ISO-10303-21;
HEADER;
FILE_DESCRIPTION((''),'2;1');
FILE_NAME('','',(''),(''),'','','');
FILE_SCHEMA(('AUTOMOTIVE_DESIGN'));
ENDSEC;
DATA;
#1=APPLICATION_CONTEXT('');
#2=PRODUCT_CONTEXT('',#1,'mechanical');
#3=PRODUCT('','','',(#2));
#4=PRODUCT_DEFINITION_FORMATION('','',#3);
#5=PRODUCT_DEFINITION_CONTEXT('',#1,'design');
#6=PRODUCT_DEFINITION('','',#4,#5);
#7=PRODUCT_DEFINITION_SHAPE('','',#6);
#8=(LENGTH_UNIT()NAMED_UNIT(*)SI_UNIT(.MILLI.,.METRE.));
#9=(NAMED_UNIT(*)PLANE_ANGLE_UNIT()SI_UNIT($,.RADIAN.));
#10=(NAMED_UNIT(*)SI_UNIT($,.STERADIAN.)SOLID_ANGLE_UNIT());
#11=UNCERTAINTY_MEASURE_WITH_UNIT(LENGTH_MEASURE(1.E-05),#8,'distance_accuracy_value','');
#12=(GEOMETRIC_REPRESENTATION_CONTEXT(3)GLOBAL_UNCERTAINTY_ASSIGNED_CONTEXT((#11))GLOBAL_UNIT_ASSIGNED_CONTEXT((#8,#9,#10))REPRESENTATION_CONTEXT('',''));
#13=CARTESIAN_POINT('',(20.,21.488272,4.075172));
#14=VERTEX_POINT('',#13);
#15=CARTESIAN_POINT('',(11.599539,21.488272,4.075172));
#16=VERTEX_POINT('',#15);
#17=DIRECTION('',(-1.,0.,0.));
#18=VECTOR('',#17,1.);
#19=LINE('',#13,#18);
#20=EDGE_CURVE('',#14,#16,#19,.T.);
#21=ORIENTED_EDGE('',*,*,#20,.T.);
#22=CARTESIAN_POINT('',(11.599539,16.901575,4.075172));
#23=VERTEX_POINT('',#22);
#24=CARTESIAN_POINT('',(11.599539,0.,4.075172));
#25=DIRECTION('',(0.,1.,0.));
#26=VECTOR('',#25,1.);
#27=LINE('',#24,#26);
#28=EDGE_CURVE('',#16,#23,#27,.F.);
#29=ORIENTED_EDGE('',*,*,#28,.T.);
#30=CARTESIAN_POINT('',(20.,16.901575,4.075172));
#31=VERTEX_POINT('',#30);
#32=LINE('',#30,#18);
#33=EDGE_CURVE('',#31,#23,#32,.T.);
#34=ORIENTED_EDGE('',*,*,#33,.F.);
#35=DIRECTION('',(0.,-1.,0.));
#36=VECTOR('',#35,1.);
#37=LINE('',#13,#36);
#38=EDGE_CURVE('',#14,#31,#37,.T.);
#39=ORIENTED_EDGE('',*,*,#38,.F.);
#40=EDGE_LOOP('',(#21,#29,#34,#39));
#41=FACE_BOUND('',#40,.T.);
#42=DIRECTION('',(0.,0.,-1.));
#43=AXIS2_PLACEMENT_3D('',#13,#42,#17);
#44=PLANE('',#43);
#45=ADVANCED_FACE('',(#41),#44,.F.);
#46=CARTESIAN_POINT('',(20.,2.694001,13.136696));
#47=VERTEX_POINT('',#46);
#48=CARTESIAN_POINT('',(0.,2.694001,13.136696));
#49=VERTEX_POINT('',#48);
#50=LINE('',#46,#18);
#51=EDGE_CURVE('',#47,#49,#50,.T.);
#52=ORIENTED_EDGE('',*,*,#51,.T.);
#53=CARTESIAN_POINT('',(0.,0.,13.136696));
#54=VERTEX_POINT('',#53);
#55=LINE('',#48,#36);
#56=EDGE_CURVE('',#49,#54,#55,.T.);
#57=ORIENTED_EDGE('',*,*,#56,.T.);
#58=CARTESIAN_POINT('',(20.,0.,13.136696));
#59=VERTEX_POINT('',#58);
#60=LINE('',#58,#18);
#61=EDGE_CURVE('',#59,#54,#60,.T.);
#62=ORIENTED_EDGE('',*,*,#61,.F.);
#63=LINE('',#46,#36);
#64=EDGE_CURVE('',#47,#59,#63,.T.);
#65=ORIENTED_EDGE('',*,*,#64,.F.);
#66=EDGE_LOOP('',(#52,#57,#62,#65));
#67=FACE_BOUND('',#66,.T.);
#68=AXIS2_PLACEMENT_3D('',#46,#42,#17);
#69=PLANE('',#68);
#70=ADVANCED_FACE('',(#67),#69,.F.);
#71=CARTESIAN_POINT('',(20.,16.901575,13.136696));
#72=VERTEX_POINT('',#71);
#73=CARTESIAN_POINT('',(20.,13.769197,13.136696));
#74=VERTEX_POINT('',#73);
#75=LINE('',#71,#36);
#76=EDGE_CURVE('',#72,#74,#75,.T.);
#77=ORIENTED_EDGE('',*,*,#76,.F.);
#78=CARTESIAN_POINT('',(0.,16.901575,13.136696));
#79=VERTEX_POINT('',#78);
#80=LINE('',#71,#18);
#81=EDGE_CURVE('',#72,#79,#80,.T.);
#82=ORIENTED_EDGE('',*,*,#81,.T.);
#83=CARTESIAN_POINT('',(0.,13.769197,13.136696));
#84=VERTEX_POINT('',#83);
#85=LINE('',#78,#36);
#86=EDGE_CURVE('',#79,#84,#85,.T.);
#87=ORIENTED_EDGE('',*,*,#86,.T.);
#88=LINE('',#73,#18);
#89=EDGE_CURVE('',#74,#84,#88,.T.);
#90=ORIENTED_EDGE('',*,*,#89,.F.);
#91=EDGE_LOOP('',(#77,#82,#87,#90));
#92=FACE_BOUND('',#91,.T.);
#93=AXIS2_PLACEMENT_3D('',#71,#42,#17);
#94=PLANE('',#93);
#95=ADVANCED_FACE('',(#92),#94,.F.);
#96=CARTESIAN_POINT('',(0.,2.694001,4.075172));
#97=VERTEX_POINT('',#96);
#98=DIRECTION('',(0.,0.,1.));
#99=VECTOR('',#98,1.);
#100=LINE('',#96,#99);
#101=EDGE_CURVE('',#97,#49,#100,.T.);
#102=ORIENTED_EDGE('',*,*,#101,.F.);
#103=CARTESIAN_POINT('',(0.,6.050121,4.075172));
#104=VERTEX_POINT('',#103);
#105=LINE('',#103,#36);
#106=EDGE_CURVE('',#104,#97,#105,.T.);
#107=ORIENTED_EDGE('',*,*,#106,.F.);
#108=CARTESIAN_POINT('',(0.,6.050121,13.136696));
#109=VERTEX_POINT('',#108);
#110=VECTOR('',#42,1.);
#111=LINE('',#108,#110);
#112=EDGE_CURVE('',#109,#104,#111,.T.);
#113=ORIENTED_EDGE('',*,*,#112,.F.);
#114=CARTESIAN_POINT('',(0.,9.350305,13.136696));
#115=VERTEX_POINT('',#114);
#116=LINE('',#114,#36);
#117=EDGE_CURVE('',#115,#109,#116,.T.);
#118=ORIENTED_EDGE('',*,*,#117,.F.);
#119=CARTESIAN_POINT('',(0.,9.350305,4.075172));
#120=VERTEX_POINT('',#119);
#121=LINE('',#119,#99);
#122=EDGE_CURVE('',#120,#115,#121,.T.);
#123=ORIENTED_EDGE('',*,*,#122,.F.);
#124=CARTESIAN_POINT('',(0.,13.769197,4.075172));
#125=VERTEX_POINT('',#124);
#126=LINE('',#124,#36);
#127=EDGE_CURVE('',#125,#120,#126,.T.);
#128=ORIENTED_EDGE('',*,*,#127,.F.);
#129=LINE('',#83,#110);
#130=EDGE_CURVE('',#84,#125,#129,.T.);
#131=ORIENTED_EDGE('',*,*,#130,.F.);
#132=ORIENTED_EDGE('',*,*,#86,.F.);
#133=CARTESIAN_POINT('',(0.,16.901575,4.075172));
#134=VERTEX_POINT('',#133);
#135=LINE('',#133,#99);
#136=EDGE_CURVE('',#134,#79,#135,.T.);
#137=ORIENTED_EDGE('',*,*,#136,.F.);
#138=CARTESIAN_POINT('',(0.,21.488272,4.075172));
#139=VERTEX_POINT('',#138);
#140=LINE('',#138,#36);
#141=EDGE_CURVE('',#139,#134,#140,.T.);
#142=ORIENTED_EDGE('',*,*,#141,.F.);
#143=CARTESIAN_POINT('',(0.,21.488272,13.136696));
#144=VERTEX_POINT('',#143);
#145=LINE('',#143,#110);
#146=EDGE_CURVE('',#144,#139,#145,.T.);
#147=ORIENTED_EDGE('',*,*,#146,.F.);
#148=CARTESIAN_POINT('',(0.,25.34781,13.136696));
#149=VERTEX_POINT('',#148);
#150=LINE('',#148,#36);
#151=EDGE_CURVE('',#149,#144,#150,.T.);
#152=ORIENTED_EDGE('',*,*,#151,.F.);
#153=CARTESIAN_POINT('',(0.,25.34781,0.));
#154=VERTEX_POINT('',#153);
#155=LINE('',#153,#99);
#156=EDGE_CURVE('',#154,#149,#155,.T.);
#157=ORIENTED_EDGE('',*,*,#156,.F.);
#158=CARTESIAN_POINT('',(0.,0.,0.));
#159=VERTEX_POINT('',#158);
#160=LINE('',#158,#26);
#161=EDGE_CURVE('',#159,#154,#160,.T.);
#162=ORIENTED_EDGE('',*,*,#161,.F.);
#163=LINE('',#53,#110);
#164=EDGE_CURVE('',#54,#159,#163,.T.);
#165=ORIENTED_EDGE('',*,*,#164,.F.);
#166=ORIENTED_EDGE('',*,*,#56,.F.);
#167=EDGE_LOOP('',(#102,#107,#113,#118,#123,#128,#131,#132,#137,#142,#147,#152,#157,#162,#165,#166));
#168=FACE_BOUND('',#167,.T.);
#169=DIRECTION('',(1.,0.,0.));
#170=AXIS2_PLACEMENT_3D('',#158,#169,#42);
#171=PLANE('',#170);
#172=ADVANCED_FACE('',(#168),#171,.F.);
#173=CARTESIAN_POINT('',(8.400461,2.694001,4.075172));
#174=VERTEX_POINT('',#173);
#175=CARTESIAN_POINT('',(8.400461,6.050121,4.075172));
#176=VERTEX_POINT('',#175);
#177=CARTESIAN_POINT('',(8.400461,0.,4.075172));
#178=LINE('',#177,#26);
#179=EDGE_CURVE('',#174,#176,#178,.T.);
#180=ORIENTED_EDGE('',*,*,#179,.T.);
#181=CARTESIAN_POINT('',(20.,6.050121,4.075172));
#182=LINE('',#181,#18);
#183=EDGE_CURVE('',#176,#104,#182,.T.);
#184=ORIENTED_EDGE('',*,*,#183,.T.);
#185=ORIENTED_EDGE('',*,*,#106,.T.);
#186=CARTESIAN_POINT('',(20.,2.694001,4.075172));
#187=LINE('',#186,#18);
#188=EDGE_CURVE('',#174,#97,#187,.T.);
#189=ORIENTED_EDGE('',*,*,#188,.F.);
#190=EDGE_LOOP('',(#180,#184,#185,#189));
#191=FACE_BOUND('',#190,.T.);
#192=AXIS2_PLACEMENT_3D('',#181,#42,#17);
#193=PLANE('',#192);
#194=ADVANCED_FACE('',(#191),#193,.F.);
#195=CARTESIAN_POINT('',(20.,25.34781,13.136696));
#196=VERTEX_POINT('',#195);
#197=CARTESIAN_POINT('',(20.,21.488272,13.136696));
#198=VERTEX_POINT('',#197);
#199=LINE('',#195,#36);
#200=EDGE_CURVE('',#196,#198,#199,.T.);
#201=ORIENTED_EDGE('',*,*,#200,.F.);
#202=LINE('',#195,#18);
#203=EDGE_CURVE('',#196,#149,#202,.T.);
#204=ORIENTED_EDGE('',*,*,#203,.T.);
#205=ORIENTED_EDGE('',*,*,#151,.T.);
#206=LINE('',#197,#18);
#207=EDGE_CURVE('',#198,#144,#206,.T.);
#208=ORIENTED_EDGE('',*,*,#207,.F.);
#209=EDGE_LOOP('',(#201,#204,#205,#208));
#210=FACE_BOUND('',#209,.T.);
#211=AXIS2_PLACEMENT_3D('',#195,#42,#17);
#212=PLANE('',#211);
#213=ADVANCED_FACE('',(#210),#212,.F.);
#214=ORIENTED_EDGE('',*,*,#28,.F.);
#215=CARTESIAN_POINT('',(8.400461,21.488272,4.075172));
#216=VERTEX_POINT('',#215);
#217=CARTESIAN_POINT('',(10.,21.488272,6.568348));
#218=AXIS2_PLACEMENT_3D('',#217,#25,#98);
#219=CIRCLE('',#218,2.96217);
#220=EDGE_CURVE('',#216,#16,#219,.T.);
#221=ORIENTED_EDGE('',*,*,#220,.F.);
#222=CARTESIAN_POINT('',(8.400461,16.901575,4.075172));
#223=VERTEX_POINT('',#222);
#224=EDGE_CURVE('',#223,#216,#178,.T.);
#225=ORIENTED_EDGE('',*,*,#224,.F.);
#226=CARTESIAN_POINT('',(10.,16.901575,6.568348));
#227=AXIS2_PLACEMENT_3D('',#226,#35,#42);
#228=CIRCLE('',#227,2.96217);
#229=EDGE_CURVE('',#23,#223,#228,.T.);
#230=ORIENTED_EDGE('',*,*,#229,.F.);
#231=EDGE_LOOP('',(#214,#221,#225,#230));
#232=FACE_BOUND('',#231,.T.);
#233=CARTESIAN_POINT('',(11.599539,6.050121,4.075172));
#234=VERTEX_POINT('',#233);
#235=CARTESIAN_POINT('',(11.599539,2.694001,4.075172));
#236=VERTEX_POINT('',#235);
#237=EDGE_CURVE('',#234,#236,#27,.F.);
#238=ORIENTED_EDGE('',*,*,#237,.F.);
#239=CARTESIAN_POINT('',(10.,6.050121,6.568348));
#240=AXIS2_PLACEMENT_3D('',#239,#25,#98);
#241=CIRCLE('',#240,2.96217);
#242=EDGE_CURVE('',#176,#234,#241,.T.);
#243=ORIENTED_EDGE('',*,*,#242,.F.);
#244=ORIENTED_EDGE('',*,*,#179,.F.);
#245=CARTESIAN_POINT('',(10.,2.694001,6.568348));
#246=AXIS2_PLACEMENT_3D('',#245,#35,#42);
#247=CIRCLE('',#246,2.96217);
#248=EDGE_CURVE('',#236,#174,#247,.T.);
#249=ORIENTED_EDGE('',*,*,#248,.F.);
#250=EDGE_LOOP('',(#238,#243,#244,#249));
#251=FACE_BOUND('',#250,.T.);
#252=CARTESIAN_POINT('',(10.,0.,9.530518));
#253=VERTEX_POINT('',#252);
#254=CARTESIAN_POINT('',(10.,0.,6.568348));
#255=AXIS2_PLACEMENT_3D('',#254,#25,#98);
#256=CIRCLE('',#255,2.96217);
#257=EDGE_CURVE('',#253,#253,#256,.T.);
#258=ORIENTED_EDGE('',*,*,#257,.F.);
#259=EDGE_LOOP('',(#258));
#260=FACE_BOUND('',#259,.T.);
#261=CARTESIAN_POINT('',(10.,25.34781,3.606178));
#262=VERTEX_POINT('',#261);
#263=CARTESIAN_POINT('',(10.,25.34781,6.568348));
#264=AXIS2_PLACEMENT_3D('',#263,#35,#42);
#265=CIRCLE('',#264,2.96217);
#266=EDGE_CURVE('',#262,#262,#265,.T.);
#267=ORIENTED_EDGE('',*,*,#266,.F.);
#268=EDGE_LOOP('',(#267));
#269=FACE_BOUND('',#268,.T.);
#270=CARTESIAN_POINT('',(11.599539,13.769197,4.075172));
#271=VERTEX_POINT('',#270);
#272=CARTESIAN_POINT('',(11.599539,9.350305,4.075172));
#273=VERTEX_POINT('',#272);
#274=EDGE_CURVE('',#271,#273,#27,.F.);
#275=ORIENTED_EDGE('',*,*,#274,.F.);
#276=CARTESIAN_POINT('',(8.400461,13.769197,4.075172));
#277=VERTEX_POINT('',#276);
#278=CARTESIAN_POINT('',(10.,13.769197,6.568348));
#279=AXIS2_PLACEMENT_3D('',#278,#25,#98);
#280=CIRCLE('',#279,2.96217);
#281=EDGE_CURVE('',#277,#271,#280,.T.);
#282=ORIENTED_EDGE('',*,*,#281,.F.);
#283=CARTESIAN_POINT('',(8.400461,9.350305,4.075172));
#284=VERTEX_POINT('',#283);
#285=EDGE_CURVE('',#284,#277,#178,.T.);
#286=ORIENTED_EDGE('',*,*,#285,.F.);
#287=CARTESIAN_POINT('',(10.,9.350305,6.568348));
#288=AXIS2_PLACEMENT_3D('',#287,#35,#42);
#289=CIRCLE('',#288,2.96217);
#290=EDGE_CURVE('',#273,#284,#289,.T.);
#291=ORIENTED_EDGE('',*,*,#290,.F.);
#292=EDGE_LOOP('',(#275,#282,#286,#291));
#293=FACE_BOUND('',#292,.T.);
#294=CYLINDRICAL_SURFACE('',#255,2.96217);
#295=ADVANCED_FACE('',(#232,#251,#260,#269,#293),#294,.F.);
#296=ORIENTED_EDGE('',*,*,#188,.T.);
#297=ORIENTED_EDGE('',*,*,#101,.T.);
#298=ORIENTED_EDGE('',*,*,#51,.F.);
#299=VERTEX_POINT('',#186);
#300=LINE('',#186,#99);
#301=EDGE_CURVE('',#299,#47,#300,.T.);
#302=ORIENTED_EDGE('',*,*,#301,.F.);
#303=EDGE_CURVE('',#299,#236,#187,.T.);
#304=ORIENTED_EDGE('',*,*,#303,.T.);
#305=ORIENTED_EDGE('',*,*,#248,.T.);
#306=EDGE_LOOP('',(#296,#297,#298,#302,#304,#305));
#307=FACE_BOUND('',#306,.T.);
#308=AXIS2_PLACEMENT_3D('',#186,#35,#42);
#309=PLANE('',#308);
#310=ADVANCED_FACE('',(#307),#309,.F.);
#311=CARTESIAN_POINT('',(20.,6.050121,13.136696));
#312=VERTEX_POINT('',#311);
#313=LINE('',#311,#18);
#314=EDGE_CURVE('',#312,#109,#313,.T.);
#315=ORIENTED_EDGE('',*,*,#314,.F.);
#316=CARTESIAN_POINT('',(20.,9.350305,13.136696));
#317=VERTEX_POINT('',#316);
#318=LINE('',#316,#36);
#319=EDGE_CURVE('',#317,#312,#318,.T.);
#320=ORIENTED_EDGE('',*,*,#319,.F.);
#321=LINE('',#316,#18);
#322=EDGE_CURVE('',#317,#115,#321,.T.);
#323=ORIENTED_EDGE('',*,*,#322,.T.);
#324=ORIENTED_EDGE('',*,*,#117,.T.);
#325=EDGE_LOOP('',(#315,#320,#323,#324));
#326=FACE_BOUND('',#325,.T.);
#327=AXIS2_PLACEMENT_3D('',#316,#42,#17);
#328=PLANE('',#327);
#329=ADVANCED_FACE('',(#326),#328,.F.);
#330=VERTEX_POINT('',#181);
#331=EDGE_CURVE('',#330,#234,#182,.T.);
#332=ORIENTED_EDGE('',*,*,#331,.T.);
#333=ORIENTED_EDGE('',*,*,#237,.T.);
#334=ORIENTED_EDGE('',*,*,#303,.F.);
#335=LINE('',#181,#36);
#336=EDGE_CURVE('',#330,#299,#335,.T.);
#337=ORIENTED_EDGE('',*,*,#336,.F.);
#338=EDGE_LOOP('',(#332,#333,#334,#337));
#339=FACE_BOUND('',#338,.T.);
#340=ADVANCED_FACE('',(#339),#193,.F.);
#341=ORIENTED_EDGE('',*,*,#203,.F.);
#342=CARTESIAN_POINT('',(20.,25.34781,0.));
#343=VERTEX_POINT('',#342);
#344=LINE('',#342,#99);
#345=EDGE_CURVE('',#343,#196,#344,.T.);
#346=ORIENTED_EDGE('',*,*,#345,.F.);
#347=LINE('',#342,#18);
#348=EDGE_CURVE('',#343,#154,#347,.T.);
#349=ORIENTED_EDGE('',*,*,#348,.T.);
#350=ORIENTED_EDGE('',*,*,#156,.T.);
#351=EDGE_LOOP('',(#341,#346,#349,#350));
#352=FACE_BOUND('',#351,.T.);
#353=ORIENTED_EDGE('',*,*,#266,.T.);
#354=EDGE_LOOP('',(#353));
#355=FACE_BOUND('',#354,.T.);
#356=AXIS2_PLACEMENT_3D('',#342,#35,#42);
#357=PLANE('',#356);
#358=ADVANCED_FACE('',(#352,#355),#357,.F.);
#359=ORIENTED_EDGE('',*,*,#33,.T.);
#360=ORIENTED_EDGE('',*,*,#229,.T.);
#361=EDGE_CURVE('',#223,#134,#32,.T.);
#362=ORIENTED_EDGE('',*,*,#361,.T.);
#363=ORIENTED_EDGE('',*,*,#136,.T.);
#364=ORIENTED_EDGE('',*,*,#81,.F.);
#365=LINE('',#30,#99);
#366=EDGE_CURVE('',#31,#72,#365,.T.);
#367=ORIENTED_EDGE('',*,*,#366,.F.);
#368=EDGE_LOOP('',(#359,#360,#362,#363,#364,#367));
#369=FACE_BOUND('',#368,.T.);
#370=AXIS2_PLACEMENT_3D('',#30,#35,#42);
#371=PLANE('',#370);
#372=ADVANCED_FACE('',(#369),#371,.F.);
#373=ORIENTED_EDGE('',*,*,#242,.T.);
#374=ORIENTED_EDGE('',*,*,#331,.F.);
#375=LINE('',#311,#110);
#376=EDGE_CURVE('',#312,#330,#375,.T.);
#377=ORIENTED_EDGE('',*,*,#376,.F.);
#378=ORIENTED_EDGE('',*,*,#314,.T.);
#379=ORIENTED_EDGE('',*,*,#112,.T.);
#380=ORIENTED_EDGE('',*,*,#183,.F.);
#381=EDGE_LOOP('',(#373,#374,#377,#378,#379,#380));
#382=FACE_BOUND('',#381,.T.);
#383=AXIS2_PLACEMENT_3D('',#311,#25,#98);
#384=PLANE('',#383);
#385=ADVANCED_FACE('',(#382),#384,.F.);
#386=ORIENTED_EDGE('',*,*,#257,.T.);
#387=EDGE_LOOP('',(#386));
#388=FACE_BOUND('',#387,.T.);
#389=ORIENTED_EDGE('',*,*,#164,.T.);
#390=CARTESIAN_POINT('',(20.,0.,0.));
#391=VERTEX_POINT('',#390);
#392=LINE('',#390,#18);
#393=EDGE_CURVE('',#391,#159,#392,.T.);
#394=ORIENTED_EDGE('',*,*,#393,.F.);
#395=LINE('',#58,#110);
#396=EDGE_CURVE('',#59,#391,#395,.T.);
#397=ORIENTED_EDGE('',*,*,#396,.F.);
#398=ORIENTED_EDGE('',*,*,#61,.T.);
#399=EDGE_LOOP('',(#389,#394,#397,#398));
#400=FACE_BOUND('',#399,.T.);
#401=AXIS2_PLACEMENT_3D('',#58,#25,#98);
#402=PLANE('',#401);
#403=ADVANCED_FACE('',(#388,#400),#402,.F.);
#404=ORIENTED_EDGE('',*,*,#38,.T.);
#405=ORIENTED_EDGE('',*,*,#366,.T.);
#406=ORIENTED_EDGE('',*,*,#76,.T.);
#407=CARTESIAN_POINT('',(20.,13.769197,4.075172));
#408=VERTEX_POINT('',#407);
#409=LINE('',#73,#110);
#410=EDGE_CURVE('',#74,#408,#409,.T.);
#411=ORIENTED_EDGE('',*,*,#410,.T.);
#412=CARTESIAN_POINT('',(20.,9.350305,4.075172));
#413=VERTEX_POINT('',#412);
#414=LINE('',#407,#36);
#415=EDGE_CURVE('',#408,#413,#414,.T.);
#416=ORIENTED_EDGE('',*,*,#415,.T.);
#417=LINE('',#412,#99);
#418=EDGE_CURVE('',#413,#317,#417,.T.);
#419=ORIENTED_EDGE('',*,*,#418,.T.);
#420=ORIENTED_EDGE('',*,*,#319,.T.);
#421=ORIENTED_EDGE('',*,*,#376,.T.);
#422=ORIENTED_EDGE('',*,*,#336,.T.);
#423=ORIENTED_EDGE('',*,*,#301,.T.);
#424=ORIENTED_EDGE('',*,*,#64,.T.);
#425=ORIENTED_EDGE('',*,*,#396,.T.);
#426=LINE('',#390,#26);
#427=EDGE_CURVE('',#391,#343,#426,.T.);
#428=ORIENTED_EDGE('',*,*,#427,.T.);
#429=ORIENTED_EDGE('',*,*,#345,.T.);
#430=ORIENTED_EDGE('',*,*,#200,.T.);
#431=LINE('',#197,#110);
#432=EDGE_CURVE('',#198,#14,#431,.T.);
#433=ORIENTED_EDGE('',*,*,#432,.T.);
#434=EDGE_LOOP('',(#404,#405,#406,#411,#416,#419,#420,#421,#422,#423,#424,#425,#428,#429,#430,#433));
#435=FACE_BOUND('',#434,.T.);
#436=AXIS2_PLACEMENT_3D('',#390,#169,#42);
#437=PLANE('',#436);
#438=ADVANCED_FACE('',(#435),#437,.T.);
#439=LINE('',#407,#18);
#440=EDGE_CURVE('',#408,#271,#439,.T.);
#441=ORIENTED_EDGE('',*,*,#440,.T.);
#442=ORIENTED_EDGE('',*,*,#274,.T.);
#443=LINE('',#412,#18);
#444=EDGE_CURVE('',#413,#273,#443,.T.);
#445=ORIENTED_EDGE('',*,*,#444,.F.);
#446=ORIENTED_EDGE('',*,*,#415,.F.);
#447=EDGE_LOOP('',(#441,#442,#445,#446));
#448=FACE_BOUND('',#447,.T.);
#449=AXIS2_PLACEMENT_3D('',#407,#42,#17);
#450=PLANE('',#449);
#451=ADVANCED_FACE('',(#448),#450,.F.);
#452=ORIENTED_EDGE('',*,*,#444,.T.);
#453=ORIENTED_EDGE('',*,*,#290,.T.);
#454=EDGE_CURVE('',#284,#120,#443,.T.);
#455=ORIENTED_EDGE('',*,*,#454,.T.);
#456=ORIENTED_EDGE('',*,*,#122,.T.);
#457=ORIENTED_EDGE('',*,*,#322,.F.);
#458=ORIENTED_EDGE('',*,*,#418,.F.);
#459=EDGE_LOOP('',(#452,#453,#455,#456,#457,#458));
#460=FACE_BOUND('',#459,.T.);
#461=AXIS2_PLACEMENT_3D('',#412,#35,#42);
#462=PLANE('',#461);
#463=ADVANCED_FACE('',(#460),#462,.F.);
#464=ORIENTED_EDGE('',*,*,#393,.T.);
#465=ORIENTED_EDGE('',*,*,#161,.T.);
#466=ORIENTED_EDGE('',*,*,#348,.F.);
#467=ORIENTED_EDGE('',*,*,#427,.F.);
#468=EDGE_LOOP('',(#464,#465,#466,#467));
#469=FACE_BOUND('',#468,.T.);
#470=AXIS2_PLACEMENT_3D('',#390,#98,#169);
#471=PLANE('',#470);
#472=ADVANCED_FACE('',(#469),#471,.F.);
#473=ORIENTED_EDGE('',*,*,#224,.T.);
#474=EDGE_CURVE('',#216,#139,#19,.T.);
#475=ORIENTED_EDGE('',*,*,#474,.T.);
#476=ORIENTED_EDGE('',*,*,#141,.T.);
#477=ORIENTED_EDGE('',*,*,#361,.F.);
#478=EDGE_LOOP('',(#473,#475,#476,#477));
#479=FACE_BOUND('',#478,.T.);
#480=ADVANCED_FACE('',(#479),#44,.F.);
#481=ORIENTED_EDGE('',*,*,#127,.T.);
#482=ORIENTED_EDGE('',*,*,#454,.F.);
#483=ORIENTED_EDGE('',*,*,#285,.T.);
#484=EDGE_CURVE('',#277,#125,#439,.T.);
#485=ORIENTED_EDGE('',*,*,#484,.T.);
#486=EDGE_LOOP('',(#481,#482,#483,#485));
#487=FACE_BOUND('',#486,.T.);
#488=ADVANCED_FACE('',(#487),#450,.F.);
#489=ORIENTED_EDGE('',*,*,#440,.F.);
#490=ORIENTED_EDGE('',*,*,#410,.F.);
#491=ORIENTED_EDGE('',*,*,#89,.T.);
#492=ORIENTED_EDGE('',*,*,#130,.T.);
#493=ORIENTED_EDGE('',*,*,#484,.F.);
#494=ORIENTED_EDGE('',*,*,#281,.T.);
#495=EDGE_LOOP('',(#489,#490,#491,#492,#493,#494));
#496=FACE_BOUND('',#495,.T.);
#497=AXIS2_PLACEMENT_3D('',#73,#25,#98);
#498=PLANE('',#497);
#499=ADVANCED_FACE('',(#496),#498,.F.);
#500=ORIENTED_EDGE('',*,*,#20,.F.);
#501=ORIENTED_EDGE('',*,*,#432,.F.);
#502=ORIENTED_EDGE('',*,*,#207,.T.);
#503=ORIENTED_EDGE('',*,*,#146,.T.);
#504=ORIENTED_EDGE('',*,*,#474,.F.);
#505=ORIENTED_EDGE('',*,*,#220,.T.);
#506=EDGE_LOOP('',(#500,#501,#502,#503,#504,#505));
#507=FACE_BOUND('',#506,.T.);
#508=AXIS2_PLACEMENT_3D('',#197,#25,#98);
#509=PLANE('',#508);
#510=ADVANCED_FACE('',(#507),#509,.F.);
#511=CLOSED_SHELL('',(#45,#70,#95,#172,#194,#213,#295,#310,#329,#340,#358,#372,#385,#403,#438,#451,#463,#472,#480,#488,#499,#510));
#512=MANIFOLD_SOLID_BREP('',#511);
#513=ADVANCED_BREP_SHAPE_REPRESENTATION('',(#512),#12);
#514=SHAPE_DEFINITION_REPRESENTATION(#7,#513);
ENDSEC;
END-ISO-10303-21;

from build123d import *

# Parameters (mm, degrees)
BOSS_EXTRUDE2_DEPTH     = 20
CUT_EXTRUDE1_DEPTH      = 35.858058648
CUT_EXTRUDE1_DEPTH_BACK = 35.858058648
SKETCH3_R               = 2.962169801


with BuildPart() as part:
    # Sketch2 → Boss-Extrude2 (new body)
    with BuildSketch(Plane(origin=(0, 0, 0), x_dir=(0, 0, -1), z_dir=(1, 0, 0))):
        Polygon((0, 0), (0, 25.347810212), (-13.136695555, 25.347810212), (-13.136695555, 21.488272358), (-4.075171897, 21.488272358), (-4.075171897, 16.901575198), (-13.136695555, 16.901575198), (-13.136695555, 13.76919665), (-4.075171897, 13.76919665), (-4.075171897, 9.350305483), (-13.136695555, 9.350305483), (-13.136695555, 6.050120941), (-4.075171897, 6.050120941), (-4.075171897, 2.694001068), (-13.136695555, 2.694001068), (-13.136695555, 0), align=None)
    extrude(amount=BOSS_EXTRUDE2_DEPTH)

    # Sketch3 → Cut-Extrude1 (cut, two sides: drawn at the far end of the back side and taken through both)
    with BuildSketch(Plane(origin=(0, 25.347810212, 0), x_dir=(1, 0, 0), z_dir=(0, 1, 0)).offset(-CUT_EXTRUDE1_DEPTH_BACK)):
        with Locations(Location((10, -6.568347778, 0), (0, 0, 270))):
            Circle(SKETCH3_R)
    extrude(amount=CUT_EXTRUDE1_DEPTH + CUT_EXTRUDE1_DEPTH_BACK, mode=Mode.SUBTRACT)


solid = part.part
